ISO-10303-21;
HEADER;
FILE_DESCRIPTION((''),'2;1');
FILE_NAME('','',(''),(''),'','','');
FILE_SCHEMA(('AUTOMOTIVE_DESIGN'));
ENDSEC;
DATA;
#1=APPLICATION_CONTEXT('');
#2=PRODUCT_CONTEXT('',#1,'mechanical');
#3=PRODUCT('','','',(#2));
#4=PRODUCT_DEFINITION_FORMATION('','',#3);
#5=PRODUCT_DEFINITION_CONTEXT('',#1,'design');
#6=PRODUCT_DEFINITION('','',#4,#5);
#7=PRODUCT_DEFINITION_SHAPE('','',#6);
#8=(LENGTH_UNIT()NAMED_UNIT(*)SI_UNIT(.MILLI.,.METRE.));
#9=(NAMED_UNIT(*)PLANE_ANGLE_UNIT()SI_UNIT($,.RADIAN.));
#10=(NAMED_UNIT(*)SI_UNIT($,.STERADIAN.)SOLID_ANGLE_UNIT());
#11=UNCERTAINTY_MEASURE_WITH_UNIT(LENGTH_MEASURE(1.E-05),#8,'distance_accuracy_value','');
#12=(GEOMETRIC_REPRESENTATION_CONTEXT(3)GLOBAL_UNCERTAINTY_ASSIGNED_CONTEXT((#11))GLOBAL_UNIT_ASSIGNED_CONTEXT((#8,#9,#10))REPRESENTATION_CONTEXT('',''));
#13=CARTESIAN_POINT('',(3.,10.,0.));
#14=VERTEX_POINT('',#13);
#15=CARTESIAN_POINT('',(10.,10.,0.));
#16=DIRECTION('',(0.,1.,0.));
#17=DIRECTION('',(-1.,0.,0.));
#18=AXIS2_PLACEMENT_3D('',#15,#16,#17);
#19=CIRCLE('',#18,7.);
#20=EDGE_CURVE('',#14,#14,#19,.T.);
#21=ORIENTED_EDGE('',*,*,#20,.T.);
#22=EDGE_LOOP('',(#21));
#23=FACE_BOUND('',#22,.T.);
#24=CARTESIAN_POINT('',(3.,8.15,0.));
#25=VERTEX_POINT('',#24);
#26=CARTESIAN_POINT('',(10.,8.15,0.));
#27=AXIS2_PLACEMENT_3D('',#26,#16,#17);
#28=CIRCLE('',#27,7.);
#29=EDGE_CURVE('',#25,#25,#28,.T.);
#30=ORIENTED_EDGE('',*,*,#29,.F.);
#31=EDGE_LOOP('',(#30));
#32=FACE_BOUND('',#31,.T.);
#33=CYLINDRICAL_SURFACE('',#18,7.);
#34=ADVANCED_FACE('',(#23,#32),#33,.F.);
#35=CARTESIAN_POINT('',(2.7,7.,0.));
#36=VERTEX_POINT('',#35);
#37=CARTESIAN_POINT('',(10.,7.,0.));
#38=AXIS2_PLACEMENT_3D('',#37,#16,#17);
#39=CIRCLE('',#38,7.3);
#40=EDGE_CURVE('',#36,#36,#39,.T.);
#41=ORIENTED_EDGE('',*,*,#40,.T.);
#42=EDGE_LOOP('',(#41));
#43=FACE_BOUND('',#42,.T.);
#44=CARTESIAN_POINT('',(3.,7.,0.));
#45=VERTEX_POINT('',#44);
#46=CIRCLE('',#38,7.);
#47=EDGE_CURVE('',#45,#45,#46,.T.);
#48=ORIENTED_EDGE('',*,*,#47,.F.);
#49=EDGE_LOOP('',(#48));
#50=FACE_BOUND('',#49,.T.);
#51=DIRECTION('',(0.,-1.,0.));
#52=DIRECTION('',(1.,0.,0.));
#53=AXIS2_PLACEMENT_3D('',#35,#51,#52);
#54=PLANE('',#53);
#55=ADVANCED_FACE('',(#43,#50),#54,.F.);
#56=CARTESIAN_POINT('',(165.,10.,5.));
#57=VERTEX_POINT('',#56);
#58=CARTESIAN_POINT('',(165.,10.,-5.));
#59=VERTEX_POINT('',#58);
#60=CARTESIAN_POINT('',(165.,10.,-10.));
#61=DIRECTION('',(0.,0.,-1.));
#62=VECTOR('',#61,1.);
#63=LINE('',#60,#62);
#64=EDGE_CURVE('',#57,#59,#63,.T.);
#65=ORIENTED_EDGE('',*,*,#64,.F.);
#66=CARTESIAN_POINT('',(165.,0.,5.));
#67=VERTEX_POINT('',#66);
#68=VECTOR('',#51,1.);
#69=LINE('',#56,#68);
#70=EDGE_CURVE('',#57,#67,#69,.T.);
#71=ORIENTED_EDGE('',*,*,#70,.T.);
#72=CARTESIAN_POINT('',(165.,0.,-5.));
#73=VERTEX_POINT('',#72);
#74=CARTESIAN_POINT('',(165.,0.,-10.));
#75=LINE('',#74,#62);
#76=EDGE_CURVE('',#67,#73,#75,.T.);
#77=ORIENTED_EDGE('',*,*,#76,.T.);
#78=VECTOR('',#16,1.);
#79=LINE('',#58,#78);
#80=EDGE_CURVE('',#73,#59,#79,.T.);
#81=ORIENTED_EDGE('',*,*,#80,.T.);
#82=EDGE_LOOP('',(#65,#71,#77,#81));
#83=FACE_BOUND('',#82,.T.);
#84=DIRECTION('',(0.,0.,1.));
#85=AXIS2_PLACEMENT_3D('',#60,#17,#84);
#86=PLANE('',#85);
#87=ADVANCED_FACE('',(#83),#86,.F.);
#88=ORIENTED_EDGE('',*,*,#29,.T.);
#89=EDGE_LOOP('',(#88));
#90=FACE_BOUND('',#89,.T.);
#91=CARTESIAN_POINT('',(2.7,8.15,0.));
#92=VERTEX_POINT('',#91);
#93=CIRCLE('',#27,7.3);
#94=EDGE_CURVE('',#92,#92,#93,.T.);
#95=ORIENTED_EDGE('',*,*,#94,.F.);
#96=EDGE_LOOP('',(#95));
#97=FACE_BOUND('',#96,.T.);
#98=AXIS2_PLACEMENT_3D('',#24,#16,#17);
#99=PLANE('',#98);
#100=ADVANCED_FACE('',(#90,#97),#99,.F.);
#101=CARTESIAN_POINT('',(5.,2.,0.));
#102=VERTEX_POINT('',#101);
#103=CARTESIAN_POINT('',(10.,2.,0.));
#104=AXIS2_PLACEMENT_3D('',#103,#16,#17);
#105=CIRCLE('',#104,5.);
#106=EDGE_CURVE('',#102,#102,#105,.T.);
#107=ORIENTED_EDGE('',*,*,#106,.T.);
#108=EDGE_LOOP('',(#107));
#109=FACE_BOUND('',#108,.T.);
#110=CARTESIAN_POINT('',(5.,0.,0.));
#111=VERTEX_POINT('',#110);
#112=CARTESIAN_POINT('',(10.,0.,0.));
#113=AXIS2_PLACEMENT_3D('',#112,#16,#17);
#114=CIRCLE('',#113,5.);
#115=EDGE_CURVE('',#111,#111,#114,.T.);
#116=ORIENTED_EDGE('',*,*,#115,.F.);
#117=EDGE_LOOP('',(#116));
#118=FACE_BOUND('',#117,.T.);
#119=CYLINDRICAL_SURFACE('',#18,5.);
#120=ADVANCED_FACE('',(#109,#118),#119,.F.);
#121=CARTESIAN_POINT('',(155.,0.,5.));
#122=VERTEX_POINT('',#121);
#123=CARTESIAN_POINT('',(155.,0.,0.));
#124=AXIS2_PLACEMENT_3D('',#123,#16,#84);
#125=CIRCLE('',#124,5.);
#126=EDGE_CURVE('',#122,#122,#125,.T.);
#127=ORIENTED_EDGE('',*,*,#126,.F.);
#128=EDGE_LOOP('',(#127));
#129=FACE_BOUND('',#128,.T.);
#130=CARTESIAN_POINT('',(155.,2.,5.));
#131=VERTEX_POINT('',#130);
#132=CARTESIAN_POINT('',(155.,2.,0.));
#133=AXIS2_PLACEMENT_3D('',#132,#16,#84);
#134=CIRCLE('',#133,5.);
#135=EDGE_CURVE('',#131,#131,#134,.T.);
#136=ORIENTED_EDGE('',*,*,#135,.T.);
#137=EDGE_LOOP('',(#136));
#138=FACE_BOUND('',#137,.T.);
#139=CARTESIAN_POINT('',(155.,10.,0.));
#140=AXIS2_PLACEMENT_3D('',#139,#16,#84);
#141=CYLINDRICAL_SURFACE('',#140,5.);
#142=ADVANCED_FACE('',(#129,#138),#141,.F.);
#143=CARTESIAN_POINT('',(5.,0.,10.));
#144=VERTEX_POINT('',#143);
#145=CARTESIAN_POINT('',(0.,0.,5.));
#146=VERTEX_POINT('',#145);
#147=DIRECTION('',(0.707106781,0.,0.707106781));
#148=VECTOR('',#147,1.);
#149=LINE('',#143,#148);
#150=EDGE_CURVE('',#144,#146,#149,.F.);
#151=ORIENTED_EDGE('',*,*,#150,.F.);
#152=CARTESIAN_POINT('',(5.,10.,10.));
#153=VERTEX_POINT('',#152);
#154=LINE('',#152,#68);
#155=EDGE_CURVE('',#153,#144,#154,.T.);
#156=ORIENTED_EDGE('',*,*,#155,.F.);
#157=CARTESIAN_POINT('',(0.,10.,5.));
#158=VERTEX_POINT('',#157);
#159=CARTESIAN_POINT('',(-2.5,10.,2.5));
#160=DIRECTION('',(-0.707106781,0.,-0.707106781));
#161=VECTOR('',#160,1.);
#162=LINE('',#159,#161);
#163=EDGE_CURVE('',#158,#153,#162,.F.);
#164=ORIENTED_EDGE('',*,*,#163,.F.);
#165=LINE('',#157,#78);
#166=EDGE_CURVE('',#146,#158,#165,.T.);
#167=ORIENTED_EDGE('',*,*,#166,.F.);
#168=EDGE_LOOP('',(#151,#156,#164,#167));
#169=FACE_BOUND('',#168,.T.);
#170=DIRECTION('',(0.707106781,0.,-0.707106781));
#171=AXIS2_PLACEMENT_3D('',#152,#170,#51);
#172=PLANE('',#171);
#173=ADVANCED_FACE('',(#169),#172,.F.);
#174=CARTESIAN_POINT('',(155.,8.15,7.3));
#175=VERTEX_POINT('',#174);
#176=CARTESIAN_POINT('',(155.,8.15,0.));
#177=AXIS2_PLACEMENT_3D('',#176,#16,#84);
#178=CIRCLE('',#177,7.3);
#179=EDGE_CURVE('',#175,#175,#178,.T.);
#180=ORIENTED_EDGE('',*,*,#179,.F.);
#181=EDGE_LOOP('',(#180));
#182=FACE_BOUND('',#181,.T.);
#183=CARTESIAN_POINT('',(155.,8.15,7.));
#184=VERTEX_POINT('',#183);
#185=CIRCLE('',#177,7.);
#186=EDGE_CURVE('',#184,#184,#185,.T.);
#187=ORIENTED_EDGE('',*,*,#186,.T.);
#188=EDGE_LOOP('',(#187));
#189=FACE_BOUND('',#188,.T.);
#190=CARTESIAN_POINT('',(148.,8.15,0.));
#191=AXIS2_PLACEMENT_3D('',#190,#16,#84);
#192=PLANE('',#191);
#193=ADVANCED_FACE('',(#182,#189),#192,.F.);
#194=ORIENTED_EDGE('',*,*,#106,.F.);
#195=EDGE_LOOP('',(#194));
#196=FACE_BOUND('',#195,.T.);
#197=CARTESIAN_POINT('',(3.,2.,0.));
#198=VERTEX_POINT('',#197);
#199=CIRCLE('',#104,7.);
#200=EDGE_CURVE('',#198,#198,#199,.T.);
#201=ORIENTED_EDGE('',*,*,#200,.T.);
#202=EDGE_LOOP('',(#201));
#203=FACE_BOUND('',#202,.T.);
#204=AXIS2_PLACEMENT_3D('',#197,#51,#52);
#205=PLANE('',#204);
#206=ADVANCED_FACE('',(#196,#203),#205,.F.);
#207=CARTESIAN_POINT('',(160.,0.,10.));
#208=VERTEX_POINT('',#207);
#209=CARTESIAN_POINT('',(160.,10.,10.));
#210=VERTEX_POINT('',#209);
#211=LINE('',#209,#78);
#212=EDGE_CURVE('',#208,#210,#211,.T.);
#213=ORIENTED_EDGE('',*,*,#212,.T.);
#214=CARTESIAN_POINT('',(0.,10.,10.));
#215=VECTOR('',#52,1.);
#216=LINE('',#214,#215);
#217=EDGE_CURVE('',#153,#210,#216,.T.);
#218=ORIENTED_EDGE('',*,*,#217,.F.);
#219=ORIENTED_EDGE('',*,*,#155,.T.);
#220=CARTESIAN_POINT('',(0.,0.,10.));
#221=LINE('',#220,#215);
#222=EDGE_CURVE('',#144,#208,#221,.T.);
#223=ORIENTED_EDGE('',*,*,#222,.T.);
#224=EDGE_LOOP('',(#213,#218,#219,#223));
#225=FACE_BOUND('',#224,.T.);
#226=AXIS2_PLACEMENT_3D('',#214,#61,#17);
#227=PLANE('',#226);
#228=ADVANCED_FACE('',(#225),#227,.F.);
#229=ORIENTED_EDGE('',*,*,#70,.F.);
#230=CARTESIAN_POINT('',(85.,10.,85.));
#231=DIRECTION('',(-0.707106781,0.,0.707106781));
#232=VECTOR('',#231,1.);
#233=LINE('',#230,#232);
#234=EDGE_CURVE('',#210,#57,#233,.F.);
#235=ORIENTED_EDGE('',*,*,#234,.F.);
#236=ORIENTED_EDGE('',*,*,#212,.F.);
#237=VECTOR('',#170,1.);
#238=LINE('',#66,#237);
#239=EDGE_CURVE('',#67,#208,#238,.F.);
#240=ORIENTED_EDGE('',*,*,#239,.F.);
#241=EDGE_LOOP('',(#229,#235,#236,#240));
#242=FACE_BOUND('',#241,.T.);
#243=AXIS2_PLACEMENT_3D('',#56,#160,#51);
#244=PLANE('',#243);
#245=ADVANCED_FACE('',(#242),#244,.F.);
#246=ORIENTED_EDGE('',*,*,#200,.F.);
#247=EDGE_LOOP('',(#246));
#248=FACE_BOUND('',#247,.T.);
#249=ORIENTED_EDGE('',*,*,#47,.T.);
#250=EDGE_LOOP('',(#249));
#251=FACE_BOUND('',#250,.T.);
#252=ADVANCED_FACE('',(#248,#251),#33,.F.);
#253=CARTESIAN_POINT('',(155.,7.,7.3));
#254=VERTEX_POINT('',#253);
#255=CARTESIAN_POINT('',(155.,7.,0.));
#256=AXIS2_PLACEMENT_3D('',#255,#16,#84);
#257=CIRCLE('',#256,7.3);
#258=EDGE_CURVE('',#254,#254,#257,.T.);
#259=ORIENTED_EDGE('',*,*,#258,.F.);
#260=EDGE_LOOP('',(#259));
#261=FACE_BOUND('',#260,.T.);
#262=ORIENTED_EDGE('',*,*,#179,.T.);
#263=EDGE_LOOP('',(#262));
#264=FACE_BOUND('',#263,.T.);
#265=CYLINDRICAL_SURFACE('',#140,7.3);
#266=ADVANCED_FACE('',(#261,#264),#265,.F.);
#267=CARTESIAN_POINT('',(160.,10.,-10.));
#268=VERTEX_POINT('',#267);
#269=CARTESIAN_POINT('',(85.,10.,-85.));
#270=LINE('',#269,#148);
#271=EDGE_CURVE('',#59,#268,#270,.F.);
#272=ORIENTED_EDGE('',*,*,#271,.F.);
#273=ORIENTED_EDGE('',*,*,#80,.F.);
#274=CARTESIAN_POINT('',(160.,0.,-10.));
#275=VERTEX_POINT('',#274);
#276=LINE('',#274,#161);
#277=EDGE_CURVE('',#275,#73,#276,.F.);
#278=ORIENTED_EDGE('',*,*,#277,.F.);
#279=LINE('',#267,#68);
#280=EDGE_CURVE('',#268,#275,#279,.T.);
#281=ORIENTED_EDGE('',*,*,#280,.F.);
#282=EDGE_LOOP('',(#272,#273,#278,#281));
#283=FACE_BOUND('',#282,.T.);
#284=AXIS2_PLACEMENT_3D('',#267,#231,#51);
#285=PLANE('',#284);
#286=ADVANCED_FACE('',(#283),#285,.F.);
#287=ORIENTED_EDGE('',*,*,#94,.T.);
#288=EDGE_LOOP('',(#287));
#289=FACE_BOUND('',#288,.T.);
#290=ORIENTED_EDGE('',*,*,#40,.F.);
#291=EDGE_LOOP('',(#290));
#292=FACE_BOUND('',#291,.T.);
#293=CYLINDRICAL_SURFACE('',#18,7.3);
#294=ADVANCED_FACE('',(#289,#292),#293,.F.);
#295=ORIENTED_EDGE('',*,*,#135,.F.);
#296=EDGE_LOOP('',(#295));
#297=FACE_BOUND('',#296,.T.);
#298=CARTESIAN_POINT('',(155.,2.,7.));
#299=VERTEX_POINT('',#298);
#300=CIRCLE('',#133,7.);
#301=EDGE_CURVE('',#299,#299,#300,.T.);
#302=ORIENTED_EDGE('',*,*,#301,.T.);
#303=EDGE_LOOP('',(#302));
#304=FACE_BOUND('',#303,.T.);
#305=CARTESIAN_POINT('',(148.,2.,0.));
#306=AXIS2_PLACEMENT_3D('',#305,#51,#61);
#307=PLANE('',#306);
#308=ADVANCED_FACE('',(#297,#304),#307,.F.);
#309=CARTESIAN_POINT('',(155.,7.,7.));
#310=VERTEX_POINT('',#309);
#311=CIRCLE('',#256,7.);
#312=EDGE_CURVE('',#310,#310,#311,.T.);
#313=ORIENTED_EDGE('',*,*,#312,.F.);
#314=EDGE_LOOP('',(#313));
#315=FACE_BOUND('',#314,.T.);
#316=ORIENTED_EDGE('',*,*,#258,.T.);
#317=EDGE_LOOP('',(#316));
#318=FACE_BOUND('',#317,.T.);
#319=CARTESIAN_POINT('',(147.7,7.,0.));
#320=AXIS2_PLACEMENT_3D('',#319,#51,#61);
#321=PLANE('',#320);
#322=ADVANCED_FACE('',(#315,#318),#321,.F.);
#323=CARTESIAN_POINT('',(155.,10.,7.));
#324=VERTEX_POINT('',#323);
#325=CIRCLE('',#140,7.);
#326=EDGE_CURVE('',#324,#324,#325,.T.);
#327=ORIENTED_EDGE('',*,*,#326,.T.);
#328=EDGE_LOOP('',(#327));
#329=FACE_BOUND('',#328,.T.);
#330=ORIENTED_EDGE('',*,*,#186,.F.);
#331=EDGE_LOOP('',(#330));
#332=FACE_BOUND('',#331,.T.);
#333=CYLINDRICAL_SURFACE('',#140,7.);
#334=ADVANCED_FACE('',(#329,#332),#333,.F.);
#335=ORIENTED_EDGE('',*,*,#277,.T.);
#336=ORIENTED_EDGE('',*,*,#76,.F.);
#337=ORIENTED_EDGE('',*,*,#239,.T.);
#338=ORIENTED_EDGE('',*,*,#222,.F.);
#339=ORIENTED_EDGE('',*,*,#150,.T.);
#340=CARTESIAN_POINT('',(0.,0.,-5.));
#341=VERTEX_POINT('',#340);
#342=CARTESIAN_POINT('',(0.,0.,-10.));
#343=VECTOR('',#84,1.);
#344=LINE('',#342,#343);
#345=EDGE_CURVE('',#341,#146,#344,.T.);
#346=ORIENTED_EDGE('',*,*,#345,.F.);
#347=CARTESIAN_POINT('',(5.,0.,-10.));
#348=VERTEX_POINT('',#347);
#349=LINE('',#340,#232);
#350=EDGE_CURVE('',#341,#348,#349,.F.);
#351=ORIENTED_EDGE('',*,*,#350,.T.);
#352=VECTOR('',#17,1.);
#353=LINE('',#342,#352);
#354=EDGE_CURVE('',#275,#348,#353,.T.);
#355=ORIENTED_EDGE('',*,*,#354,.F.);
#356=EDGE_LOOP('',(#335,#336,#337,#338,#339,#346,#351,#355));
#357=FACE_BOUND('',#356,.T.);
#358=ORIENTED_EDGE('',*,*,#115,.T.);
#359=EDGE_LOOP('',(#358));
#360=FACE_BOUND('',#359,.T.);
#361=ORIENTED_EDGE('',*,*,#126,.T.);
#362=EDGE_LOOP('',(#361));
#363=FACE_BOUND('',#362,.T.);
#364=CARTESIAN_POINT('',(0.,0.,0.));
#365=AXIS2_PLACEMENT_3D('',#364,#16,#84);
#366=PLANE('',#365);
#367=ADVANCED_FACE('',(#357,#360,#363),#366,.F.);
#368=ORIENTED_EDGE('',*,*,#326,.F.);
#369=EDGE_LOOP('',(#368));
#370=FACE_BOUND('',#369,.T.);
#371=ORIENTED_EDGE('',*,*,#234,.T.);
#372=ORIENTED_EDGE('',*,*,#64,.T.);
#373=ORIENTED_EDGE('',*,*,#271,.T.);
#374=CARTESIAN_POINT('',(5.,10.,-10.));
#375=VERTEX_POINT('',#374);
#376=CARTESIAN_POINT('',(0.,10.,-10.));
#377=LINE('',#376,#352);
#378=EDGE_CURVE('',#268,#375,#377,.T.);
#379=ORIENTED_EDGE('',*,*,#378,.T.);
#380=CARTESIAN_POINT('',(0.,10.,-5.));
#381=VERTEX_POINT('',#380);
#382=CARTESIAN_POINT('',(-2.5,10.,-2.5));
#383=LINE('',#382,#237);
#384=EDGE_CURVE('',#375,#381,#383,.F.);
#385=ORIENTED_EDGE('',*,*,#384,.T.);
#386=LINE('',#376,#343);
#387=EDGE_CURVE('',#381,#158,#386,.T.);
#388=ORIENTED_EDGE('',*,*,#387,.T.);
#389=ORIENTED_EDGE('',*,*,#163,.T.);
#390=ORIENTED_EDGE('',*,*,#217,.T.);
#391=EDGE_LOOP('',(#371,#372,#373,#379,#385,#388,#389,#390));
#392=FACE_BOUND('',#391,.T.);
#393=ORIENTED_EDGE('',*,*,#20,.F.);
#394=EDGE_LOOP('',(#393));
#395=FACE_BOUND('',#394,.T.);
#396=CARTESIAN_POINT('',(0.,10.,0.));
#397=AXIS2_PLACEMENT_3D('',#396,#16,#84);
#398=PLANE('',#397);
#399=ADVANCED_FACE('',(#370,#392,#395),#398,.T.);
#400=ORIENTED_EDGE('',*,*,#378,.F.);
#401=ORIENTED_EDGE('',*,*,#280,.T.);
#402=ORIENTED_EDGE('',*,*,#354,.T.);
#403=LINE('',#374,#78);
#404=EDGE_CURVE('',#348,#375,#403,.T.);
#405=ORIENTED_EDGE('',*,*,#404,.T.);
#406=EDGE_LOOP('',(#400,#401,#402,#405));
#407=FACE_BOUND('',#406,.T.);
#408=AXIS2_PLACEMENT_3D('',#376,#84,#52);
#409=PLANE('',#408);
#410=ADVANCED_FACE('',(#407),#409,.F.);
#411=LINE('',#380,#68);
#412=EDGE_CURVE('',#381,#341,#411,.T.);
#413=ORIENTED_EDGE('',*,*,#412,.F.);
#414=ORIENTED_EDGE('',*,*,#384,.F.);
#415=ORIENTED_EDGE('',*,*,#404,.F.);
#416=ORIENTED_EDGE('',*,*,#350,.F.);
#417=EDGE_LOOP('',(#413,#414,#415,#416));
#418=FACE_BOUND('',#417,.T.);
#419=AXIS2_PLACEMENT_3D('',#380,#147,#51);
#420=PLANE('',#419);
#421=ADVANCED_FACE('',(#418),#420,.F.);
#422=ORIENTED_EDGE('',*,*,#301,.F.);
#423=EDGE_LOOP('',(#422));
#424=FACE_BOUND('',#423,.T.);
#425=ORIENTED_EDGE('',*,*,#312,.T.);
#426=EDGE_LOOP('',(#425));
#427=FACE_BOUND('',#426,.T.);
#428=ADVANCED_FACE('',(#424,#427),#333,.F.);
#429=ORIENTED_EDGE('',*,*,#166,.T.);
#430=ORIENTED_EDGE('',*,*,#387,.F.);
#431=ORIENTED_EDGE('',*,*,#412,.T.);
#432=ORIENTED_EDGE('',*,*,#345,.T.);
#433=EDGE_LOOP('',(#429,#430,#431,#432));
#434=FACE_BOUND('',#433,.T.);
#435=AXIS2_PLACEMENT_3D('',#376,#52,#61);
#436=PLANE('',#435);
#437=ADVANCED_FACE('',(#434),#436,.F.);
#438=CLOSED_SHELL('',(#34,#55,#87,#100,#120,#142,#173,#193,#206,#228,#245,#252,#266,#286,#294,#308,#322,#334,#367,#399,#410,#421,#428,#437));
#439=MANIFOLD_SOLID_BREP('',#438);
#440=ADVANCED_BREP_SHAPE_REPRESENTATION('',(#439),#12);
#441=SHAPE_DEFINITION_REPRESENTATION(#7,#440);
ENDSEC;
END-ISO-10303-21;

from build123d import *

# Parameters (mm, degrees)
SKETCH1_W           = 165
SKETCH1_H           = 20
BOSS_EXTRUDE1_DEPTH = 10
CHAMFER1_SIZE       = 5


with BuildPart() as part:
    # Sketch1 → Boss-Extrude1 (new body)
    with BuildSketch(Plane(origin=(0, 0, 0), x_dir=(1, 0, 0), z_dir=(0, 1, 0))):
        with Locations((82.5, 0)):
            Rectangle(SKETCH1_W, SKETCH1_H)
    extrude(amount=BOSS_EXTRUDE1_DEPTH)

    # Chamfer1
    chamfer1_edges = [part.edges().sort_by_distance(p)[0] for p in [
        (0, 5, -10),
        (165, 5, -10),
        (165, 5, 10),
        (0, 5, 10),
    ]]
    chamfer(chamfer1_edges, length=CHAMFER1_SIZE)

    # Sketch2 → Cut-Revolve1 (revolve, cut)
    with BuildSketch(Plane.XY):
        Polygon((2.7, 7), (3, 7), (3, 2), (5, 2), (5, 0), (10, 0), (10, 10), (3, 10), (3, 8.15), (2.7, 8.15), align=None)
    revolve(axis=Axis((10, 10, 0), (0, -1, 0)), mode=Mode.SUBTRACT)

    # Sketch7 → Cut-Revolve2 (revolve, cut)
    with BuildSketch(Plane.XY, mode=Mode.PRIVATE) as cut_revolve2_sk:
        Polygon((148, 10), (148, 8.15), (147.7, 8.15), (147.7, 7), (148, 7), (148, 2), (150, 2), (150, 0), (155, 0), (155, 10), align=None)
    revolve(cut_revolve2_sk.sketch.rotate(Axis((155, 10, 0), (0, -1, 0)), 270), axis=Axis((155, 10, 0), (0, -1, 0)), mode=Mode.SUBTRACT)


solid = part.part
